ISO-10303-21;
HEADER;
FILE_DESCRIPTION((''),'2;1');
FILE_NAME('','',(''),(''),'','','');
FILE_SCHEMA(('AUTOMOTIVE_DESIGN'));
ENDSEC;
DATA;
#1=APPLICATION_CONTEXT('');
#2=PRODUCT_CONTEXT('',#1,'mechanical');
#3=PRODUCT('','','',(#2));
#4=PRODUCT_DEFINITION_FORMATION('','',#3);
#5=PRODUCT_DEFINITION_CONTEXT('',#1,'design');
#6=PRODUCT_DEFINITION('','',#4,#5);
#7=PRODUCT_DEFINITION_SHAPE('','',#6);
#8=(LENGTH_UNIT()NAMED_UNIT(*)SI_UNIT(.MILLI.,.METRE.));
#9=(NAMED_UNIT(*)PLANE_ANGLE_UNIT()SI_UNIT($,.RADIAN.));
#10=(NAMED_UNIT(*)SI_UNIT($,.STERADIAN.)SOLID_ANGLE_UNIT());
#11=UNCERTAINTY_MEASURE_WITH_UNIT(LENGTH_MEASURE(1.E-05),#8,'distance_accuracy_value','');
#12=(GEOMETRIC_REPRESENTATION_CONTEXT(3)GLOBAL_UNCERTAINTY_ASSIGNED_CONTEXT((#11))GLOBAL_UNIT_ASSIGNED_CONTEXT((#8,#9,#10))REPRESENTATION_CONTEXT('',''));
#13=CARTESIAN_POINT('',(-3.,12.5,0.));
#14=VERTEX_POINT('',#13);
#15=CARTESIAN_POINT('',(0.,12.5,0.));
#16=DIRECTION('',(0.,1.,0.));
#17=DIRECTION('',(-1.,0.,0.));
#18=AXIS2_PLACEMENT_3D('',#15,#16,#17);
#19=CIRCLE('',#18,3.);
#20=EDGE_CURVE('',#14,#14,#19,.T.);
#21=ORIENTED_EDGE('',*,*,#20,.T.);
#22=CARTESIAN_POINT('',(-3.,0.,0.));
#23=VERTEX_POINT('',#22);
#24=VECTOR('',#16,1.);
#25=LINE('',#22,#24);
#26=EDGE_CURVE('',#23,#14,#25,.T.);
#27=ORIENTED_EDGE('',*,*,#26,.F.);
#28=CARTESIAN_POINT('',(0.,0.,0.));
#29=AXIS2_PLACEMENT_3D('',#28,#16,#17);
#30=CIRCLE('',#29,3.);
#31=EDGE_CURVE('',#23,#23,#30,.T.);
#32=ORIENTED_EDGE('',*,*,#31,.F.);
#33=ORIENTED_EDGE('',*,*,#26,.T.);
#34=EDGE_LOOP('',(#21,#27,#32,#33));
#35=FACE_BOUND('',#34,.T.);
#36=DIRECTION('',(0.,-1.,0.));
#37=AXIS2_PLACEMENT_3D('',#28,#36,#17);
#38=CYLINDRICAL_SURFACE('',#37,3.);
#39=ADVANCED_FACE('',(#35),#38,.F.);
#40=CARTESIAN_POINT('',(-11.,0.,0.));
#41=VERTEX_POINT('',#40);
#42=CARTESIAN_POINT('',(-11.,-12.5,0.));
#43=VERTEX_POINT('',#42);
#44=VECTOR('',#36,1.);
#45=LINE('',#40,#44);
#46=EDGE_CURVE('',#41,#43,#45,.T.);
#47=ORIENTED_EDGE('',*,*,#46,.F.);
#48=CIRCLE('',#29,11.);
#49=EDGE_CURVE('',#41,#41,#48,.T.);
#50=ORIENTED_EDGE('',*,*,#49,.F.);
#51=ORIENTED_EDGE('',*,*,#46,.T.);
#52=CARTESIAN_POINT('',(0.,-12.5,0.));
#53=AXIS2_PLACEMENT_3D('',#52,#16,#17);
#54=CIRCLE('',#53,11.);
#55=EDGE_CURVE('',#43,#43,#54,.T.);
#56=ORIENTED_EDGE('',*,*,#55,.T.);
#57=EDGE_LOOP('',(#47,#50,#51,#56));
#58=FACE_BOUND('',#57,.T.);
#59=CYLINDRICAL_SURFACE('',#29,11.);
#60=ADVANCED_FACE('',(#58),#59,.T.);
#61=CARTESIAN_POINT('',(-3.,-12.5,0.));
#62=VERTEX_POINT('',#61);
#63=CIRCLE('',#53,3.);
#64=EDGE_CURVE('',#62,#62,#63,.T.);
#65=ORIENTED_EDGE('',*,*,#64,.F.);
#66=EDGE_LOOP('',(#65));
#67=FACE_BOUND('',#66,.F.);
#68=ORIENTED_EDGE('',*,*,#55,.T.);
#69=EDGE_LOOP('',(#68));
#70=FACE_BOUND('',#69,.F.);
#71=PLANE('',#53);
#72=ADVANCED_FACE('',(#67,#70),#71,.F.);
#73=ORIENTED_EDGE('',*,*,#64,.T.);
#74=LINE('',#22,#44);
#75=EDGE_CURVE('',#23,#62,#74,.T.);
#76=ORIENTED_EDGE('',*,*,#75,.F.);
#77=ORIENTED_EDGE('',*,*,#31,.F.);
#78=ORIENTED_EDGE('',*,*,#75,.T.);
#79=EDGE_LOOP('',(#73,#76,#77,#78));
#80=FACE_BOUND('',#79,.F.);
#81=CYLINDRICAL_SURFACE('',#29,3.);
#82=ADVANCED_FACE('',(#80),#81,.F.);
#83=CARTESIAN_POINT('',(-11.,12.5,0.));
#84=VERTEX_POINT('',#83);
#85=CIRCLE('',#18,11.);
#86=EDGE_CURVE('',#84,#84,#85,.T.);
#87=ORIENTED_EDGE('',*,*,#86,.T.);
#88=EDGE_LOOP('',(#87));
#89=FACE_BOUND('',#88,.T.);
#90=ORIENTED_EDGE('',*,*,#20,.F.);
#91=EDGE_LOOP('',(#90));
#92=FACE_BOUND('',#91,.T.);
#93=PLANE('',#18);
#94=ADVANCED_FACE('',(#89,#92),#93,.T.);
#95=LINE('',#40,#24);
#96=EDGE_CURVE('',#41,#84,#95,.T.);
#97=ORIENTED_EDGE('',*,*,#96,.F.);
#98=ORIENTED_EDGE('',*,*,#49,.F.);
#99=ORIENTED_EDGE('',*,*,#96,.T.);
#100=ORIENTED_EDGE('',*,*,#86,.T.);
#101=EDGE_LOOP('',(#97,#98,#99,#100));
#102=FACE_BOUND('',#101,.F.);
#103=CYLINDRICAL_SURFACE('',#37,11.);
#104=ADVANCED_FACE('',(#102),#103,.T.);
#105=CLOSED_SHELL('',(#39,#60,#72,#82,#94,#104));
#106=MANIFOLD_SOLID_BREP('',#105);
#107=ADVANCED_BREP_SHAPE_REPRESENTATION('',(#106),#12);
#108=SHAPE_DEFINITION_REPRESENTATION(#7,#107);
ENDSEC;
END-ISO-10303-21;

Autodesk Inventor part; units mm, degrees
ref_plane "YZ Plane" through (0, 0, 0) normal (1, 0, 0) x (0, 1, 0)
ref_plane "XZ Plane" through (0, 0, 0) normal (0, 1, 0) x (-1, 0, 0)
ref_plane "XY Plane" through (0, 0, 0) normal (0, 0, 1) x (1, 0, 0)
sketch "Sketch1" plane through (0, 0, 0) normal (0, 1, 0) x (-1, 0, 0)
  circle A0 centre (0, 0) radius 3
  circle A1 centre (0, 0) radius 11
  dimension "d0" = 6
  dimension "d1" = 22
extrude "Extrusion1" add sketch "Sketch1" along normal mid plane 25
properties part number "housing"
